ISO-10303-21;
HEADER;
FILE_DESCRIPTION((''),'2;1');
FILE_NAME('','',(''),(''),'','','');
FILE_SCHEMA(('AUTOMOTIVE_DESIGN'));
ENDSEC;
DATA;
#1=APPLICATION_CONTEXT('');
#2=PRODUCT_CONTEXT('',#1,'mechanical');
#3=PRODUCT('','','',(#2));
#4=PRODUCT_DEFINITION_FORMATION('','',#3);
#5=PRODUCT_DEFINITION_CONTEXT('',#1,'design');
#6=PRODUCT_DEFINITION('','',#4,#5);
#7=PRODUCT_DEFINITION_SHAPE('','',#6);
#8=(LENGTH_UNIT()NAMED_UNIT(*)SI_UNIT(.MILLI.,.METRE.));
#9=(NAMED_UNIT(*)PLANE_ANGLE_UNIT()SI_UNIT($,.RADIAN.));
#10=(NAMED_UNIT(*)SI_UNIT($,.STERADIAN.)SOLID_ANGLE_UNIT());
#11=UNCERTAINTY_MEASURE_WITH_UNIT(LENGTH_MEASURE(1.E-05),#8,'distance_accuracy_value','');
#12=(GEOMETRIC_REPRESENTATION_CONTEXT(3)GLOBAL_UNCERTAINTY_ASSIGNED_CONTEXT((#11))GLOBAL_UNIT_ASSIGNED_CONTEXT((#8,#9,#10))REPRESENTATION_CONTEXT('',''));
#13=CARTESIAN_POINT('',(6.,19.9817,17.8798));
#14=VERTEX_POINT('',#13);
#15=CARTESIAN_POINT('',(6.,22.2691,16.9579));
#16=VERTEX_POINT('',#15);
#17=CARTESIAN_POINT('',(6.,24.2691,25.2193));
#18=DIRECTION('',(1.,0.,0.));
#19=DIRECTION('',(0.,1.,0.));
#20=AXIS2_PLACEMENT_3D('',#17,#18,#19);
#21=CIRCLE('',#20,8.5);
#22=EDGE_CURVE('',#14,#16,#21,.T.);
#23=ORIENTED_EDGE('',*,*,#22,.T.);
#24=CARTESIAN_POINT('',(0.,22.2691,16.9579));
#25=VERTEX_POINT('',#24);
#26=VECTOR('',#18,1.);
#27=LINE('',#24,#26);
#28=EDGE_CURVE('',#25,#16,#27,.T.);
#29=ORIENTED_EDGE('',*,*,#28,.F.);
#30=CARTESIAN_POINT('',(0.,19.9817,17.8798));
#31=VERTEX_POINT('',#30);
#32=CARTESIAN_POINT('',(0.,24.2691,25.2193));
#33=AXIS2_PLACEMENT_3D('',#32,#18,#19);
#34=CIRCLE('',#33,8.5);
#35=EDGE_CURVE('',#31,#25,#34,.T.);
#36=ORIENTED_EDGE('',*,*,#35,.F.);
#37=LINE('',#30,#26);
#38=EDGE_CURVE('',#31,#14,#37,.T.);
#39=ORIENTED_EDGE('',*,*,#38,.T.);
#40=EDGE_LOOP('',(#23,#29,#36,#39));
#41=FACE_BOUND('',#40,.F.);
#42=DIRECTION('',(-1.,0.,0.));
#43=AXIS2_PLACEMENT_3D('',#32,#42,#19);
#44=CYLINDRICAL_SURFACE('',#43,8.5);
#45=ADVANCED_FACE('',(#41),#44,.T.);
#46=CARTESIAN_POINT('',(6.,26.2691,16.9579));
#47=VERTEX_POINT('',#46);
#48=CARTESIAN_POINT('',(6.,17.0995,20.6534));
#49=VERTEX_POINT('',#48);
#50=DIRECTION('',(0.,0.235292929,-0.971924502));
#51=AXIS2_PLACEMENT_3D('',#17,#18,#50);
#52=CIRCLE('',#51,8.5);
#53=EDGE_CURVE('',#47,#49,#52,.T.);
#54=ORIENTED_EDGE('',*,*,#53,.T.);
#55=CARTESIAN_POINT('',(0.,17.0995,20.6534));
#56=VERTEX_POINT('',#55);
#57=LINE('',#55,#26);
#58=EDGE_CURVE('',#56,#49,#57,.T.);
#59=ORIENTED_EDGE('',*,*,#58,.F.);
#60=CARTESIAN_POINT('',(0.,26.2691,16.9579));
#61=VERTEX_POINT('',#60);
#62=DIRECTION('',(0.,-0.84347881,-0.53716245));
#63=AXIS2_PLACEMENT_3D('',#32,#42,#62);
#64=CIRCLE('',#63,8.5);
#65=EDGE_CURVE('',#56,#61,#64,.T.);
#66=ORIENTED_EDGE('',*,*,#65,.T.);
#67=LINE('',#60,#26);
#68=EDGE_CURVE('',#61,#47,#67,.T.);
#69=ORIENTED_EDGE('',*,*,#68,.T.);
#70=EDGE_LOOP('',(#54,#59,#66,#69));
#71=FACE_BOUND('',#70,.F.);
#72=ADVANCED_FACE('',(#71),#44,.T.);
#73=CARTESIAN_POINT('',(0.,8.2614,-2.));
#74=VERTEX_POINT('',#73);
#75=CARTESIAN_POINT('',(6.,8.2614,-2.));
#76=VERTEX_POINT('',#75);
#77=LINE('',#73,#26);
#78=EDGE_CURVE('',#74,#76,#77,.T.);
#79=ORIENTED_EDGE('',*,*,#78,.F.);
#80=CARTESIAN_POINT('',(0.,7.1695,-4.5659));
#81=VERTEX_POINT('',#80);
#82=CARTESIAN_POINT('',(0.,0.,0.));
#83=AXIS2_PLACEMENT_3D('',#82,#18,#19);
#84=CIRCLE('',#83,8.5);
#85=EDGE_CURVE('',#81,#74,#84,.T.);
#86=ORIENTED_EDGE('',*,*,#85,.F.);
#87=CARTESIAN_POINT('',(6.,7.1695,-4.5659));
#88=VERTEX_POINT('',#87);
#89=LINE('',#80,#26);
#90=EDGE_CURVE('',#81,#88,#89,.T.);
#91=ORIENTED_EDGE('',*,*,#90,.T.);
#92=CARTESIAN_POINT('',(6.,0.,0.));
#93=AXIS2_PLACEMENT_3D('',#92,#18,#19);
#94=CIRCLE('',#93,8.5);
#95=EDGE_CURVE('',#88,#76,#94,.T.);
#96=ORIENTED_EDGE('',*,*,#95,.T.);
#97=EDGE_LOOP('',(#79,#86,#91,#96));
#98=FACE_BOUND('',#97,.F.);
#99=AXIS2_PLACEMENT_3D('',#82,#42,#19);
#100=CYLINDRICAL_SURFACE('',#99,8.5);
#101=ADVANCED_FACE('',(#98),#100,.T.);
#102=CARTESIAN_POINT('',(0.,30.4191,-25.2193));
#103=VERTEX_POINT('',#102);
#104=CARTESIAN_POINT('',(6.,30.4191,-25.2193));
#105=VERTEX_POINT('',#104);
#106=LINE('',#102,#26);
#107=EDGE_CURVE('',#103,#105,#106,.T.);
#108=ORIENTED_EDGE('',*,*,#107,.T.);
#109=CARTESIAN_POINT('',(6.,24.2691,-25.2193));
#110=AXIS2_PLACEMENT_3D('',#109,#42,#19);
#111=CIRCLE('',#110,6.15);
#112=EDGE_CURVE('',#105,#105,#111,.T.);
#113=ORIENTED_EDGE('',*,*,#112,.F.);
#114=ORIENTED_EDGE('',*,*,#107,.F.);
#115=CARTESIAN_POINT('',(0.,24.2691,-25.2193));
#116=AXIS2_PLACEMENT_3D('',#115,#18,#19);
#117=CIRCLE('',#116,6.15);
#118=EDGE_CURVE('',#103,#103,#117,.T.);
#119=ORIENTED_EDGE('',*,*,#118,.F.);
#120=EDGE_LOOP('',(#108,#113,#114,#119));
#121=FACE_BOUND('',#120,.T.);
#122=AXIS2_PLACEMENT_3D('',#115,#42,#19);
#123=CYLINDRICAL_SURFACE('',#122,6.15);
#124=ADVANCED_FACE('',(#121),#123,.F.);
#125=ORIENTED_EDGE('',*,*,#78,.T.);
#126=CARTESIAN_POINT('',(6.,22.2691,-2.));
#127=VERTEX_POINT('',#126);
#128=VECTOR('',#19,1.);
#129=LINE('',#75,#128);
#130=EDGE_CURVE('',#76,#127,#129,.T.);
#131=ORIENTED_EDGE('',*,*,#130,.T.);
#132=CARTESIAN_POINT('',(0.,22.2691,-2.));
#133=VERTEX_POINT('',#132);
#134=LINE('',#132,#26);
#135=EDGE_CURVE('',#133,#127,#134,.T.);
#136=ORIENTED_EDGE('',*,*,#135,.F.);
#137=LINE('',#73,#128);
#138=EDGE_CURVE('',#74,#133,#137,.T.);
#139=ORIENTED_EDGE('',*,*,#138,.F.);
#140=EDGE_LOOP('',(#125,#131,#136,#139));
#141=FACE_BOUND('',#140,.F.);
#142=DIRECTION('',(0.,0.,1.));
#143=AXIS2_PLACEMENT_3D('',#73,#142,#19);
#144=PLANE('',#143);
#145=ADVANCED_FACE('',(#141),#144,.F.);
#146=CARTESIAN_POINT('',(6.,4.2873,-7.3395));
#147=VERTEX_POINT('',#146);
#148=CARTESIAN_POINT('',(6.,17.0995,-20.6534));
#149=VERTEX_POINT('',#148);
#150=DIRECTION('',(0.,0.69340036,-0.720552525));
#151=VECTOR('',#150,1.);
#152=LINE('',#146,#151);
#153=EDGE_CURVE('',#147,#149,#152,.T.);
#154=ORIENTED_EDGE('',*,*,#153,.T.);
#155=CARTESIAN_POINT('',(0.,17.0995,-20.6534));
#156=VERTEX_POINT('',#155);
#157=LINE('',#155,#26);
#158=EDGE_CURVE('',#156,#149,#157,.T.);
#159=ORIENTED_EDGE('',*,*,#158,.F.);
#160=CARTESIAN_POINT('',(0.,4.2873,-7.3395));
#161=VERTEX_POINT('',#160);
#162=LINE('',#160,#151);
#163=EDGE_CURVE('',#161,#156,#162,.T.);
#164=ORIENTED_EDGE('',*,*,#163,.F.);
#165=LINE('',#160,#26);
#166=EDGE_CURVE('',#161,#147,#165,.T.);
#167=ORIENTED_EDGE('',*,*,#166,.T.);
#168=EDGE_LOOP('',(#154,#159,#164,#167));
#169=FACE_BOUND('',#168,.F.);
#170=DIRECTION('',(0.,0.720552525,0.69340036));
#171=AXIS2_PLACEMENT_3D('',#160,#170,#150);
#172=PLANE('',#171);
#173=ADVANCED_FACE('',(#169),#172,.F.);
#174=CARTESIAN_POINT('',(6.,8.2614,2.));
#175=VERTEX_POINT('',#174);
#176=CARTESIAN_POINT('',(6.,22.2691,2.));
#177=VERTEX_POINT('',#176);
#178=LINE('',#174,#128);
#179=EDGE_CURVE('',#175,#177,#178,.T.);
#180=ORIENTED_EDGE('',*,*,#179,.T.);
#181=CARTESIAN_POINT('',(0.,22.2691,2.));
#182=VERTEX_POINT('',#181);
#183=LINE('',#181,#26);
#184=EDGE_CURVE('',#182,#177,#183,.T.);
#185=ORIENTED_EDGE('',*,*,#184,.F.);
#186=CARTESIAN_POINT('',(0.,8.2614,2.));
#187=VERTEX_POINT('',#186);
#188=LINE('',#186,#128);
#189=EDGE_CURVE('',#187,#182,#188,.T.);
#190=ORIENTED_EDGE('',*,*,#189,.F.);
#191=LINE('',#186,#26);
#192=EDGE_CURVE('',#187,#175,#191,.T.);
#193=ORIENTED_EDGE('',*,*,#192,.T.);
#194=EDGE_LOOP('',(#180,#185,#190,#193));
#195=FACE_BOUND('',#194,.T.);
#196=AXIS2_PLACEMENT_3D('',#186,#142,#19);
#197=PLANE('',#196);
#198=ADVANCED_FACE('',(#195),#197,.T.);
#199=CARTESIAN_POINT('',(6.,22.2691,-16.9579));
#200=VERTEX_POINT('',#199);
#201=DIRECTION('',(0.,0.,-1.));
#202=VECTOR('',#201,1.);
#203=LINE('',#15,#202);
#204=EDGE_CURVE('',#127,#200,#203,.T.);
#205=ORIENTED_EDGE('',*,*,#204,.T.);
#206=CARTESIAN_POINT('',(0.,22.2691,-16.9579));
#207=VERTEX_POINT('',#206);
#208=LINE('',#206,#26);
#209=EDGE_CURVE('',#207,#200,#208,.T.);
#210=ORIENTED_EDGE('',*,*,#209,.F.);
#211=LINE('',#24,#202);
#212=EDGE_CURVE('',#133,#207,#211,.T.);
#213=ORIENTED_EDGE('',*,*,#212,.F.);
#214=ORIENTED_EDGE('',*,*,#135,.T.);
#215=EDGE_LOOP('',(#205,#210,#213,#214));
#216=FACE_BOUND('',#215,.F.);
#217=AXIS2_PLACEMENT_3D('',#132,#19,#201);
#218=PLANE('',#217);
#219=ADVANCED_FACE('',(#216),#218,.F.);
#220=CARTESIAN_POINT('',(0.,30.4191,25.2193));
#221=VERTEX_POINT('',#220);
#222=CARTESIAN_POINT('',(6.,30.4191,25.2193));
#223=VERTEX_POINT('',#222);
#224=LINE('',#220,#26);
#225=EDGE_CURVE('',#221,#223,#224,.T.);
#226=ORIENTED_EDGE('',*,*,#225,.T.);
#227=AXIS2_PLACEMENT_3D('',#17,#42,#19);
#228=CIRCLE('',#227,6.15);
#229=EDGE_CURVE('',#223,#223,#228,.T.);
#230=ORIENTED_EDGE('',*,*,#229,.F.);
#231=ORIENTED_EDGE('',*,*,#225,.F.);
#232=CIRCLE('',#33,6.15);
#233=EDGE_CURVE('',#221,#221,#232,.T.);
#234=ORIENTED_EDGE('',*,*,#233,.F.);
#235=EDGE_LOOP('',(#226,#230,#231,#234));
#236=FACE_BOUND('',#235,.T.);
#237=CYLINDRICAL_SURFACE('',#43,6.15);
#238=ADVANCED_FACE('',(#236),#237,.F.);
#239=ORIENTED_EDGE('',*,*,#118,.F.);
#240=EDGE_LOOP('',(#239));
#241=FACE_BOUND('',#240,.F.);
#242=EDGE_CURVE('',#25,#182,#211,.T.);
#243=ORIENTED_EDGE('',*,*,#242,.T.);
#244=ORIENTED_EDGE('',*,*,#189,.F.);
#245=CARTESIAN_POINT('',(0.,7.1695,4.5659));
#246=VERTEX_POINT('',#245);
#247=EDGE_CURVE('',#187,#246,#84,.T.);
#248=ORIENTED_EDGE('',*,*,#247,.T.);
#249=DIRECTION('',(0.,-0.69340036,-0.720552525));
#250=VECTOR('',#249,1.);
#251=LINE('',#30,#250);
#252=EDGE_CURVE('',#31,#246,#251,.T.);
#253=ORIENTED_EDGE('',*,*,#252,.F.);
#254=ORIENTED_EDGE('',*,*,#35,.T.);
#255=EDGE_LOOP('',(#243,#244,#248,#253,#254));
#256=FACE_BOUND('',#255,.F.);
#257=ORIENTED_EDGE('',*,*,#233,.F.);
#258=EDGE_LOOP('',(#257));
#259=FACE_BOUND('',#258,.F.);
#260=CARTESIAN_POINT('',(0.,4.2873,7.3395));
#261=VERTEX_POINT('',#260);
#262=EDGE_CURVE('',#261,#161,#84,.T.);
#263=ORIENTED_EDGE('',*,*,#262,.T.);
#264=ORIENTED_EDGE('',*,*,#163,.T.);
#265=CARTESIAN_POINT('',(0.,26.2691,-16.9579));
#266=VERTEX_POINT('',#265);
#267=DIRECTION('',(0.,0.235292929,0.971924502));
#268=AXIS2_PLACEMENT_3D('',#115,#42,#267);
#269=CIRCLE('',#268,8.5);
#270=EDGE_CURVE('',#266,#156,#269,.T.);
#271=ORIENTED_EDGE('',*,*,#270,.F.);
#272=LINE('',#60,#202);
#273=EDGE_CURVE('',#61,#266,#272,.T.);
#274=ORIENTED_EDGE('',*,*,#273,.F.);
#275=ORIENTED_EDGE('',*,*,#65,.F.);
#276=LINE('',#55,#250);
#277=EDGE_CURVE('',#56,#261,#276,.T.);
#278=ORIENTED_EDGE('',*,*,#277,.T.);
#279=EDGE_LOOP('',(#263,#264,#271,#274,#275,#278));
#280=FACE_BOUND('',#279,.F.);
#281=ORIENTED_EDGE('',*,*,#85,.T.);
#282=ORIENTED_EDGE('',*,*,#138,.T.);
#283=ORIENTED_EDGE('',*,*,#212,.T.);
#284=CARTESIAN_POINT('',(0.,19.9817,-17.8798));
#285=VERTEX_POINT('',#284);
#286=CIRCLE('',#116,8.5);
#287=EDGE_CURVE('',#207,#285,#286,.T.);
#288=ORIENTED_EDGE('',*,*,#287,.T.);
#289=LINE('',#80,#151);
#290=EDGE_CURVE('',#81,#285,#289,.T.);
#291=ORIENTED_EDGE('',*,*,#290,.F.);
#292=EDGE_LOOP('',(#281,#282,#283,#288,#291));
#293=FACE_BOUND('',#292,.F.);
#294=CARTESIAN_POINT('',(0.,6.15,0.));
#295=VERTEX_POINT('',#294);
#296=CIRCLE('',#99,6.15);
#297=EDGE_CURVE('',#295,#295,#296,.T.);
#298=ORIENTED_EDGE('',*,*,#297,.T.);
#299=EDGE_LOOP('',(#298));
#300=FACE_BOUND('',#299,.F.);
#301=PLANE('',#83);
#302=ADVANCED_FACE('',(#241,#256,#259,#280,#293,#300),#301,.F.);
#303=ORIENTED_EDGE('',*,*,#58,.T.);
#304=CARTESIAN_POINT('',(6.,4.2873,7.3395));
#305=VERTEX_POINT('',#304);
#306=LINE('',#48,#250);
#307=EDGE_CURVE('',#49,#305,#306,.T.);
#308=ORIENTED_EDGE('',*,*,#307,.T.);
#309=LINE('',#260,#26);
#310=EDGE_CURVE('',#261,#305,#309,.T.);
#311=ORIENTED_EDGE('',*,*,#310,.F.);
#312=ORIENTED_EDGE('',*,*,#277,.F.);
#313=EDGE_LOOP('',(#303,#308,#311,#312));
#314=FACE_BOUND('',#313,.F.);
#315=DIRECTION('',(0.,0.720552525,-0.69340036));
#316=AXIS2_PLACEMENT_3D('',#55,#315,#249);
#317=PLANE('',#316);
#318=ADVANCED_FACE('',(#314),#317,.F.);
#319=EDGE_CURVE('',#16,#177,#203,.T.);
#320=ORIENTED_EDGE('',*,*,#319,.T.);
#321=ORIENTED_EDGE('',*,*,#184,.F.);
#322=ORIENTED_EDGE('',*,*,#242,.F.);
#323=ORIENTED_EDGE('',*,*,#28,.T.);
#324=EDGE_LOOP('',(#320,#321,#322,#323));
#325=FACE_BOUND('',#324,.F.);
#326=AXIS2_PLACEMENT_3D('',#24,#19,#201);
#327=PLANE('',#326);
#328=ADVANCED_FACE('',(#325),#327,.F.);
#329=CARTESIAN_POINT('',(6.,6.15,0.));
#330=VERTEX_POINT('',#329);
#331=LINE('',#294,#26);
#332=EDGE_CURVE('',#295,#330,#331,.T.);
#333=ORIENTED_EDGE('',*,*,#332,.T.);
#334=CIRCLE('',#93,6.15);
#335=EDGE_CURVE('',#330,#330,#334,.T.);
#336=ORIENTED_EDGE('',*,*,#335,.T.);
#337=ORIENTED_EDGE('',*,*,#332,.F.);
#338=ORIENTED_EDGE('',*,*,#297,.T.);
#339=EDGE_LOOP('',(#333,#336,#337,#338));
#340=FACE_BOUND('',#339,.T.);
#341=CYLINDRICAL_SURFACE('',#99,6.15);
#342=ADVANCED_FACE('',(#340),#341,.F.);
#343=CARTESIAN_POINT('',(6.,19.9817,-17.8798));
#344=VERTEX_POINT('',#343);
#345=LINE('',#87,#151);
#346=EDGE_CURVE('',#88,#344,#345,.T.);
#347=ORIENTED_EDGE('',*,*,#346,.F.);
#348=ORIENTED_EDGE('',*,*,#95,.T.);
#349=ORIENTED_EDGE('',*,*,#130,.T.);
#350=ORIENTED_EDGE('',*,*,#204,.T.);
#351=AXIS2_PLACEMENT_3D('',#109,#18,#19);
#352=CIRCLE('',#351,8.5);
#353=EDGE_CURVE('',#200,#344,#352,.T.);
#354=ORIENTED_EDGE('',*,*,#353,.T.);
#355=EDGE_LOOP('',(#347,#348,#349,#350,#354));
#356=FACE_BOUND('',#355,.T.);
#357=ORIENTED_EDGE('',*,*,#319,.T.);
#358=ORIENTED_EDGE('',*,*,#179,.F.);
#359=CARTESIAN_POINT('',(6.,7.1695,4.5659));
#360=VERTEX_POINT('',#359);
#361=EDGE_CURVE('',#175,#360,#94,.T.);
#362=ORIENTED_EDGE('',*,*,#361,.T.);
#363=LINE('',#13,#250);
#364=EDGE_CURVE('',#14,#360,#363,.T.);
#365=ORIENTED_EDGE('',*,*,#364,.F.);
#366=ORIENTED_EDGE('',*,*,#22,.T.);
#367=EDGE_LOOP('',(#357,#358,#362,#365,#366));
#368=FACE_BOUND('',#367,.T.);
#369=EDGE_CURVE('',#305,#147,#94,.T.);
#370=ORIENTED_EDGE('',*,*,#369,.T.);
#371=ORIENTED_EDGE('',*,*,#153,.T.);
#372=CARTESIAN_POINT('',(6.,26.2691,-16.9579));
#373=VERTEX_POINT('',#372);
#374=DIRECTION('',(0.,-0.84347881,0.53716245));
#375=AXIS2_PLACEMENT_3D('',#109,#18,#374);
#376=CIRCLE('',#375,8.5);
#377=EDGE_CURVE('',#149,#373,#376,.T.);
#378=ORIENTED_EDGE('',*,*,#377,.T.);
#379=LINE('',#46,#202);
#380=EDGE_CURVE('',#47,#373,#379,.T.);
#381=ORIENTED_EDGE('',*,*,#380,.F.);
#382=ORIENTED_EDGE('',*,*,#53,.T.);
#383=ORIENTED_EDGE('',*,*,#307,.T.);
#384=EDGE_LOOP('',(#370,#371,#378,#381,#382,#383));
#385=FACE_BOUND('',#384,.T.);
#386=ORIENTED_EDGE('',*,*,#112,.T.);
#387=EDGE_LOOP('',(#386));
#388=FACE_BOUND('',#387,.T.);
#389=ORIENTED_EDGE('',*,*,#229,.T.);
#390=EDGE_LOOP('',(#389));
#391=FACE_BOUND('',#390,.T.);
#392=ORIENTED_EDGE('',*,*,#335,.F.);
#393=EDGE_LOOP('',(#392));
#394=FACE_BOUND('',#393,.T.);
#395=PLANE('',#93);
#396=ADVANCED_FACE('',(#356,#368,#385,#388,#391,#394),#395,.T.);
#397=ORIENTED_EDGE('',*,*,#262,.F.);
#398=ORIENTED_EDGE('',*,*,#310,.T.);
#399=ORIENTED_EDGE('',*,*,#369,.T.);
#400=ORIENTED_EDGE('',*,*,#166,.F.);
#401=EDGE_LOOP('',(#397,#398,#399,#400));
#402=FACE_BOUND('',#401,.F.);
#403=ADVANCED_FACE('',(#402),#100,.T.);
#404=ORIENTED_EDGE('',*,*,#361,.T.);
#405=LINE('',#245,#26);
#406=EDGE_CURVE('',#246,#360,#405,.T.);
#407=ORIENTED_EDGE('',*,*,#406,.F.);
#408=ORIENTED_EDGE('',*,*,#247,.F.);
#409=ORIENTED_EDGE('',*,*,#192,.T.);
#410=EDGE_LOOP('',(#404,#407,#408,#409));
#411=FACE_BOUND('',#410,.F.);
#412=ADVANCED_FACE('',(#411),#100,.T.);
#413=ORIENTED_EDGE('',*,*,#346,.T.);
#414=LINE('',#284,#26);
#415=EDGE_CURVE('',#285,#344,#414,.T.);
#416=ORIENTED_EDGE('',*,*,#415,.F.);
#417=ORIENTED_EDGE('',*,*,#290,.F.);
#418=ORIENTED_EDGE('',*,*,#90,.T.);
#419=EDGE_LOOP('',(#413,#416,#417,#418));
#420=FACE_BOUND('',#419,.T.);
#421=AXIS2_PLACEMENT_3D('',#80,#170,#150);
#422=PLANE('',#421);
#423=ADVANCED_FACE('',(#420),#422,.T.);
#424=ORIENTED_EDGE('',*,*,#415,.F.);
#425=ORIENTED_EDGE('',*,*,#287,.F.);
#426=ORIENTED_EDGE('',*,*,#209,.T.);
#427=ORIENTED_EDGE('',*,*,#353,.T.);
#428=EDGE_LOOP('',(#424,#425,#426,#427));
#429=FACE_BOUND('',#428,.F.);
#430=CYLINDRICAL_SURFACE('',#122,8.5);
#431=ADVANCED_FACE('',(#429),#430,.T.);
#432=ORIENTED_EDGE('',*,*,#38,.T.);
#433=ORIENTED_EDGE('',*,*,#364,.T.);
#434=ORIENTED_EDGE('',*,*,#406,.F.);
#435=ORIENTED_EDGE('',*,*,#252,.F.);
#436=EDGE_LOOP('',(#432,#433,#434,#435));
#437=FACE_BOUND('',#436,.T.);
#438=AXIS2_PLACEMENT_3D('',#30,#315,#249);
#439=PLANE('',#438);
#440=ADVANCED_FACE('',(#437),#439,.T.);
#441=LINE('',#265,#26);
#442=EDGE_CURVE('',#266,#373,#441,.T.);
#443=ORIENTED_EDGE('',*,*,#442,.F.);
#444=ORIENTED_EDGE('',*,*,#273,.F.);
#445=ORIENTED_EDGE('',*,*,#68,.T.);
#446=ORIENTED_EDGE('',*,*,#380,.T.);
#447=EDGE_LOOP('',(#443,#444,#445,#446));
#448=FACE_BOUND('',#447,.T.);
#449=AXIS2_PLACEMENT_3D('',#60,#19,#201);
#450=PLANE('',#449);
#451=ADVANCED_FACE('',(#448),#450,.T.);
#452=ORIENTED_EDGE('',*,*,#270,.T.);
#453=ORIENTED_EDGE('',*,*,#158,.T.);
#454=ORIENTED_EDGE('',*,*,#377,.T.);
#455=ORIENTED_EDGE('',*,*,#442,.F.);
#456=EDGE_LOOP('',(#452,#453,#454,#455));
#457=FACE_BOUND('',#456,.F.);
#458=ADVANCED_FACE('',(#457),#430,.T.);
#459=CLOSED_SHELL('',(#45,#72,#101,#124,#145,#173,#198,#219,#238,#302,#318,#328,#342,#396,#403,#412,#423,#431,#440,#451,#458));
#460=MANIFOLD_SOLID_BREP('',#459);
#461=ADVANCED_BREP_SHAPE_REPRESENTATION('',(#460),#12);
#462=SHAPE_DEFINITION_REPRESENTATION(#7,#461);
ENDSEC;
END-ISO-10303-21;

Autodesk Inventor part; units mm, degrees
ref_plane "YZ Plane" through (0, 0, 0) normal (1, 0, 0) x (0, 1, 0)
ref_plane "XZ Plane" through (0, 0, 0) normal (0, 1, 0) x (-1, 0, 0)
ref_plane "XY Plane" through (0, 0, 0) normal (0, 0, 1) x (1, 0, 0)
sketch "草圖1" plane through (0, 0, 0) normal (1, 0, 0) x (0, 1, 0)
  line L0 (0, 0) -> (24.2691, 25.2193)
  line L1 (24.2691, 25.2193) -> (24.2691, -25.2193)
  line L2 (24.2691, -25.2193) -> (0, 0)
  line L3 (0, 0) -> (24.2691, 0)
  circle A0 centre (24.2691, 25.2193) radius 6.15
  circle A1 centre (24.2691, -25.2193) radius 6.15
  circle A2 centre (0, 0) radius 6.15
  circle A3 centre (24.2691, 25.2193) radius 8.5
  circle A4 centre (24.2691, -25.2193) radius 8.5
  circle A5 centre (0, 0) radius 8.5
  line L4 (26.2691, 16.9579) -> (26.2691, -16.9579)
  line L5 (22.2691, 16.9579) -> (22.2691, -16.9579)
  line L6 (17.0995, 20.6534) -> (4.2873, 7.3395)
  line L7 (4.2873, -7.3395) -> (17.0995, -20.6534)
  line L8 (19.9817, 17.8798) -> (7.1695, 4.5659)
  line L9 (7.1695, -4.5659) -> (19.9817, -17.8798)
  line L10 (8.2614, 2) -> (24.2691, 2)
  line L11 (8.2614, -2) -> (24.2691, -2)
  point P0 (22.2691, 2)
  point P1 (22.2691, -2)
  dimension "d0" = 92.2
  dimension "d1" = 35
  dimension "d2" = 35
  dimension "d3" = 12.3
  dimension "d4" = 17
  dimension "d5" = 2
  dimension "d6" = 2
  dimension "d7" = 2
  dimension "d8" = 2
  dimension "d9" = 2
  dimension "d10" = 2
  dimension "d13" = 2
  dimension "d14" = 2
extrude "擠出1" add sketch "草圖1" along normal blind 6 contours A2 L2 A5 L0 | L0 A5 L3 A2 | A2 L3 A5 L2 | A5 L6 A3 L0 | L0 A3 L8 A5 | A5 L9 A4 L2 | L2 A4 L7 A5 | A5 L10 L5 L3 | L3 L5 L11 A5 | A3 L1 A0 L0 | L0 A0 L1 A3 | A4 L1 A1 L2 | L2 A1 L1 A4 | L5 L10 L1 L3 | L3 L1 L11 L5 | L1 A3 L4 A4 | L5 A3 L1 L10 | L11 L1 A4 L5
equation "\"d6\" = d5"
equation "\"d7\" = d5"
equation "\"d8\" = d5"
equation "\"d9\" = d5"
equation "\"d10\" = d5"
equation "\"d13\" = d5"
equation "\"d14\" = d5"
properties part number "TriangleLink_CBF" material "ABS 塑膠"
